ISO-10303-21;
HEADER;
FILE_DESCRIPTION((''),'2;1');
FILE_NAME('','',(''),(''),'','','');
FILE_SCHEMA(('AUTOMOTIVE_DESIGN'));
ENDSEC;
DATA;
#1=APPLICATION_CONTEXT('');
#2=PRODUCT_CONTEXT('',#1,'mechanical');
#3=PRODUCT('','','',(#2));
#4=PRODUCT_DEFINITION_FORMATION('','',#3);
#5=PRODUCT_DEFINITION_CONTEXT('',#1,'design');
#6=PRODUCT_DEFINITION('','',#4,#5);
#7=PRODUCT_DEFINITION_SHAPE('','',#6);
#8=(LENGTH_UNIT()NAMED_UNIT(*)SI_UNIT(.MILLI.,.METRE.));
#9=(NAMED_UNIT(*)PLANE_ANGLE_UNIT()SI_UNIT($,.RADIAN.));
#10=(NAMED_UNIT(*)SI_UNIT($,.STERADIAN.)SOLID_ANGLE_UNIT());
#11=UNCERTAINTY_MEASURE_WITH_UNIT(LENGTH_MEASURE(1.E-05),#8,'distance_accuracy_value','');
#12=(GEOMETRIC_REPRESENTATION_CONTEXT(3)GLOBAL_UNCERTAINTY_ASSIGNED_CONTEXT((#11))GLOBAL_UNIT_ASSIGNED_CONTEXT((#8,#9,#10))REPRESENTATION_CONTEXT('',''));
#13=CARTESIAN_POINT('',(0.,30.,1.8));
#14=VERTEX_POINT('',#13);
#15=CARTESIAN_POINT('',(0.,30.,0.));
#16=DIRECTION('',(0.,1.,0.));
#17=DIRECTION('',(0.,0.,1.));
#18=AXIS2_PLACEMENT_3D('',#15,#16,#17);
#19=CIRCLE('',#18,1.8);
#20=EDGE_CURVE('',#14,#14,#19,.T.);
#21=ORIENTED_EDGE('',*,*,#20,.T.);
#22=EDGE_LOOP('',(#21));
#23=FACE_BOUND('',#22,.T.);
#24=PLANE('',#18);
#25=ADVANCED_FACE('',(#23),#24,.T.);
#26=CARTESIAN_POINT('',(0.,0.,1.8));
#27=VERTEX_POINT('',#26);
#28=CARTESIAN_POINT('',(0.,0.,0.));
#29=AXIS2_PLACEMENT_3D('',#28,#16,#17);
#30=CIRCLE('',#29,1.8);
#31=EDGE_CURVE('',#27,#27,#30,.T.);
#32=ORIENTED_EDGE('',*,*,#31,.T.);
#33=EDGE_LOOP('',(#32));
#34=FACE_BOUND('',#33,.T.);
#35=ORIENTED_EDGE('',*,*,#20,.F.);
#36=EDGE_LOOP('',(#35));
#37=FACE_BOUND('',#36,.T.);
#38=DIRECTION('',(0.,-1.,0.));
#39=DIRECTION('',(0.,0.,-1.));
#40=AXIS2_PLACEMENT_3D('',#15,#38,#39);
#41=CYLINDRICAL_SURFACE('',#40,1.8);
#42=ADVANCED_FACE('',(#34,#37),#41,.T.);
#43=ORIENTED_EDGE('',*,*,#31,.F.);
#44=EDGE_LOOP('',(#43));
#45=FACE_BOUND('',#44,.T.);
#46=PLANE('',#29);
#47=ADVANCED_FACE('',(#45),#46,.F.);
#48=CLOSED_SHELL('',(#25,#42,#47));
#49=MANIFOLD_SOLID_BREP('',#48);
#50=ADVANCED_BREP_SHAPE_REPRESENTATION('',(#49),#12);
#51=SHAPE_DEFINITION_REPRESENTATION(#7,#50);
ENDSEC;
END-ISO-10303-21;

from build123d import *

# Parameters (mm, degrees)
SKETCH2_R           = 1.8
BOSS_EXTRUDE1_DEPTH = 30


with BuildPart() as part:
    # Sketch2 → Boss-Extrude1 (new body)
    with BuildSketch(Plane(origin=(0, 0, 0), x_dir=(1, 0, 0), z_dir=(0, 1, 0))):
        Circle(SKETCH2_R)
    extrude(amount=BOSS_EXTRUDE1_DEPTH)


solid = part.part
